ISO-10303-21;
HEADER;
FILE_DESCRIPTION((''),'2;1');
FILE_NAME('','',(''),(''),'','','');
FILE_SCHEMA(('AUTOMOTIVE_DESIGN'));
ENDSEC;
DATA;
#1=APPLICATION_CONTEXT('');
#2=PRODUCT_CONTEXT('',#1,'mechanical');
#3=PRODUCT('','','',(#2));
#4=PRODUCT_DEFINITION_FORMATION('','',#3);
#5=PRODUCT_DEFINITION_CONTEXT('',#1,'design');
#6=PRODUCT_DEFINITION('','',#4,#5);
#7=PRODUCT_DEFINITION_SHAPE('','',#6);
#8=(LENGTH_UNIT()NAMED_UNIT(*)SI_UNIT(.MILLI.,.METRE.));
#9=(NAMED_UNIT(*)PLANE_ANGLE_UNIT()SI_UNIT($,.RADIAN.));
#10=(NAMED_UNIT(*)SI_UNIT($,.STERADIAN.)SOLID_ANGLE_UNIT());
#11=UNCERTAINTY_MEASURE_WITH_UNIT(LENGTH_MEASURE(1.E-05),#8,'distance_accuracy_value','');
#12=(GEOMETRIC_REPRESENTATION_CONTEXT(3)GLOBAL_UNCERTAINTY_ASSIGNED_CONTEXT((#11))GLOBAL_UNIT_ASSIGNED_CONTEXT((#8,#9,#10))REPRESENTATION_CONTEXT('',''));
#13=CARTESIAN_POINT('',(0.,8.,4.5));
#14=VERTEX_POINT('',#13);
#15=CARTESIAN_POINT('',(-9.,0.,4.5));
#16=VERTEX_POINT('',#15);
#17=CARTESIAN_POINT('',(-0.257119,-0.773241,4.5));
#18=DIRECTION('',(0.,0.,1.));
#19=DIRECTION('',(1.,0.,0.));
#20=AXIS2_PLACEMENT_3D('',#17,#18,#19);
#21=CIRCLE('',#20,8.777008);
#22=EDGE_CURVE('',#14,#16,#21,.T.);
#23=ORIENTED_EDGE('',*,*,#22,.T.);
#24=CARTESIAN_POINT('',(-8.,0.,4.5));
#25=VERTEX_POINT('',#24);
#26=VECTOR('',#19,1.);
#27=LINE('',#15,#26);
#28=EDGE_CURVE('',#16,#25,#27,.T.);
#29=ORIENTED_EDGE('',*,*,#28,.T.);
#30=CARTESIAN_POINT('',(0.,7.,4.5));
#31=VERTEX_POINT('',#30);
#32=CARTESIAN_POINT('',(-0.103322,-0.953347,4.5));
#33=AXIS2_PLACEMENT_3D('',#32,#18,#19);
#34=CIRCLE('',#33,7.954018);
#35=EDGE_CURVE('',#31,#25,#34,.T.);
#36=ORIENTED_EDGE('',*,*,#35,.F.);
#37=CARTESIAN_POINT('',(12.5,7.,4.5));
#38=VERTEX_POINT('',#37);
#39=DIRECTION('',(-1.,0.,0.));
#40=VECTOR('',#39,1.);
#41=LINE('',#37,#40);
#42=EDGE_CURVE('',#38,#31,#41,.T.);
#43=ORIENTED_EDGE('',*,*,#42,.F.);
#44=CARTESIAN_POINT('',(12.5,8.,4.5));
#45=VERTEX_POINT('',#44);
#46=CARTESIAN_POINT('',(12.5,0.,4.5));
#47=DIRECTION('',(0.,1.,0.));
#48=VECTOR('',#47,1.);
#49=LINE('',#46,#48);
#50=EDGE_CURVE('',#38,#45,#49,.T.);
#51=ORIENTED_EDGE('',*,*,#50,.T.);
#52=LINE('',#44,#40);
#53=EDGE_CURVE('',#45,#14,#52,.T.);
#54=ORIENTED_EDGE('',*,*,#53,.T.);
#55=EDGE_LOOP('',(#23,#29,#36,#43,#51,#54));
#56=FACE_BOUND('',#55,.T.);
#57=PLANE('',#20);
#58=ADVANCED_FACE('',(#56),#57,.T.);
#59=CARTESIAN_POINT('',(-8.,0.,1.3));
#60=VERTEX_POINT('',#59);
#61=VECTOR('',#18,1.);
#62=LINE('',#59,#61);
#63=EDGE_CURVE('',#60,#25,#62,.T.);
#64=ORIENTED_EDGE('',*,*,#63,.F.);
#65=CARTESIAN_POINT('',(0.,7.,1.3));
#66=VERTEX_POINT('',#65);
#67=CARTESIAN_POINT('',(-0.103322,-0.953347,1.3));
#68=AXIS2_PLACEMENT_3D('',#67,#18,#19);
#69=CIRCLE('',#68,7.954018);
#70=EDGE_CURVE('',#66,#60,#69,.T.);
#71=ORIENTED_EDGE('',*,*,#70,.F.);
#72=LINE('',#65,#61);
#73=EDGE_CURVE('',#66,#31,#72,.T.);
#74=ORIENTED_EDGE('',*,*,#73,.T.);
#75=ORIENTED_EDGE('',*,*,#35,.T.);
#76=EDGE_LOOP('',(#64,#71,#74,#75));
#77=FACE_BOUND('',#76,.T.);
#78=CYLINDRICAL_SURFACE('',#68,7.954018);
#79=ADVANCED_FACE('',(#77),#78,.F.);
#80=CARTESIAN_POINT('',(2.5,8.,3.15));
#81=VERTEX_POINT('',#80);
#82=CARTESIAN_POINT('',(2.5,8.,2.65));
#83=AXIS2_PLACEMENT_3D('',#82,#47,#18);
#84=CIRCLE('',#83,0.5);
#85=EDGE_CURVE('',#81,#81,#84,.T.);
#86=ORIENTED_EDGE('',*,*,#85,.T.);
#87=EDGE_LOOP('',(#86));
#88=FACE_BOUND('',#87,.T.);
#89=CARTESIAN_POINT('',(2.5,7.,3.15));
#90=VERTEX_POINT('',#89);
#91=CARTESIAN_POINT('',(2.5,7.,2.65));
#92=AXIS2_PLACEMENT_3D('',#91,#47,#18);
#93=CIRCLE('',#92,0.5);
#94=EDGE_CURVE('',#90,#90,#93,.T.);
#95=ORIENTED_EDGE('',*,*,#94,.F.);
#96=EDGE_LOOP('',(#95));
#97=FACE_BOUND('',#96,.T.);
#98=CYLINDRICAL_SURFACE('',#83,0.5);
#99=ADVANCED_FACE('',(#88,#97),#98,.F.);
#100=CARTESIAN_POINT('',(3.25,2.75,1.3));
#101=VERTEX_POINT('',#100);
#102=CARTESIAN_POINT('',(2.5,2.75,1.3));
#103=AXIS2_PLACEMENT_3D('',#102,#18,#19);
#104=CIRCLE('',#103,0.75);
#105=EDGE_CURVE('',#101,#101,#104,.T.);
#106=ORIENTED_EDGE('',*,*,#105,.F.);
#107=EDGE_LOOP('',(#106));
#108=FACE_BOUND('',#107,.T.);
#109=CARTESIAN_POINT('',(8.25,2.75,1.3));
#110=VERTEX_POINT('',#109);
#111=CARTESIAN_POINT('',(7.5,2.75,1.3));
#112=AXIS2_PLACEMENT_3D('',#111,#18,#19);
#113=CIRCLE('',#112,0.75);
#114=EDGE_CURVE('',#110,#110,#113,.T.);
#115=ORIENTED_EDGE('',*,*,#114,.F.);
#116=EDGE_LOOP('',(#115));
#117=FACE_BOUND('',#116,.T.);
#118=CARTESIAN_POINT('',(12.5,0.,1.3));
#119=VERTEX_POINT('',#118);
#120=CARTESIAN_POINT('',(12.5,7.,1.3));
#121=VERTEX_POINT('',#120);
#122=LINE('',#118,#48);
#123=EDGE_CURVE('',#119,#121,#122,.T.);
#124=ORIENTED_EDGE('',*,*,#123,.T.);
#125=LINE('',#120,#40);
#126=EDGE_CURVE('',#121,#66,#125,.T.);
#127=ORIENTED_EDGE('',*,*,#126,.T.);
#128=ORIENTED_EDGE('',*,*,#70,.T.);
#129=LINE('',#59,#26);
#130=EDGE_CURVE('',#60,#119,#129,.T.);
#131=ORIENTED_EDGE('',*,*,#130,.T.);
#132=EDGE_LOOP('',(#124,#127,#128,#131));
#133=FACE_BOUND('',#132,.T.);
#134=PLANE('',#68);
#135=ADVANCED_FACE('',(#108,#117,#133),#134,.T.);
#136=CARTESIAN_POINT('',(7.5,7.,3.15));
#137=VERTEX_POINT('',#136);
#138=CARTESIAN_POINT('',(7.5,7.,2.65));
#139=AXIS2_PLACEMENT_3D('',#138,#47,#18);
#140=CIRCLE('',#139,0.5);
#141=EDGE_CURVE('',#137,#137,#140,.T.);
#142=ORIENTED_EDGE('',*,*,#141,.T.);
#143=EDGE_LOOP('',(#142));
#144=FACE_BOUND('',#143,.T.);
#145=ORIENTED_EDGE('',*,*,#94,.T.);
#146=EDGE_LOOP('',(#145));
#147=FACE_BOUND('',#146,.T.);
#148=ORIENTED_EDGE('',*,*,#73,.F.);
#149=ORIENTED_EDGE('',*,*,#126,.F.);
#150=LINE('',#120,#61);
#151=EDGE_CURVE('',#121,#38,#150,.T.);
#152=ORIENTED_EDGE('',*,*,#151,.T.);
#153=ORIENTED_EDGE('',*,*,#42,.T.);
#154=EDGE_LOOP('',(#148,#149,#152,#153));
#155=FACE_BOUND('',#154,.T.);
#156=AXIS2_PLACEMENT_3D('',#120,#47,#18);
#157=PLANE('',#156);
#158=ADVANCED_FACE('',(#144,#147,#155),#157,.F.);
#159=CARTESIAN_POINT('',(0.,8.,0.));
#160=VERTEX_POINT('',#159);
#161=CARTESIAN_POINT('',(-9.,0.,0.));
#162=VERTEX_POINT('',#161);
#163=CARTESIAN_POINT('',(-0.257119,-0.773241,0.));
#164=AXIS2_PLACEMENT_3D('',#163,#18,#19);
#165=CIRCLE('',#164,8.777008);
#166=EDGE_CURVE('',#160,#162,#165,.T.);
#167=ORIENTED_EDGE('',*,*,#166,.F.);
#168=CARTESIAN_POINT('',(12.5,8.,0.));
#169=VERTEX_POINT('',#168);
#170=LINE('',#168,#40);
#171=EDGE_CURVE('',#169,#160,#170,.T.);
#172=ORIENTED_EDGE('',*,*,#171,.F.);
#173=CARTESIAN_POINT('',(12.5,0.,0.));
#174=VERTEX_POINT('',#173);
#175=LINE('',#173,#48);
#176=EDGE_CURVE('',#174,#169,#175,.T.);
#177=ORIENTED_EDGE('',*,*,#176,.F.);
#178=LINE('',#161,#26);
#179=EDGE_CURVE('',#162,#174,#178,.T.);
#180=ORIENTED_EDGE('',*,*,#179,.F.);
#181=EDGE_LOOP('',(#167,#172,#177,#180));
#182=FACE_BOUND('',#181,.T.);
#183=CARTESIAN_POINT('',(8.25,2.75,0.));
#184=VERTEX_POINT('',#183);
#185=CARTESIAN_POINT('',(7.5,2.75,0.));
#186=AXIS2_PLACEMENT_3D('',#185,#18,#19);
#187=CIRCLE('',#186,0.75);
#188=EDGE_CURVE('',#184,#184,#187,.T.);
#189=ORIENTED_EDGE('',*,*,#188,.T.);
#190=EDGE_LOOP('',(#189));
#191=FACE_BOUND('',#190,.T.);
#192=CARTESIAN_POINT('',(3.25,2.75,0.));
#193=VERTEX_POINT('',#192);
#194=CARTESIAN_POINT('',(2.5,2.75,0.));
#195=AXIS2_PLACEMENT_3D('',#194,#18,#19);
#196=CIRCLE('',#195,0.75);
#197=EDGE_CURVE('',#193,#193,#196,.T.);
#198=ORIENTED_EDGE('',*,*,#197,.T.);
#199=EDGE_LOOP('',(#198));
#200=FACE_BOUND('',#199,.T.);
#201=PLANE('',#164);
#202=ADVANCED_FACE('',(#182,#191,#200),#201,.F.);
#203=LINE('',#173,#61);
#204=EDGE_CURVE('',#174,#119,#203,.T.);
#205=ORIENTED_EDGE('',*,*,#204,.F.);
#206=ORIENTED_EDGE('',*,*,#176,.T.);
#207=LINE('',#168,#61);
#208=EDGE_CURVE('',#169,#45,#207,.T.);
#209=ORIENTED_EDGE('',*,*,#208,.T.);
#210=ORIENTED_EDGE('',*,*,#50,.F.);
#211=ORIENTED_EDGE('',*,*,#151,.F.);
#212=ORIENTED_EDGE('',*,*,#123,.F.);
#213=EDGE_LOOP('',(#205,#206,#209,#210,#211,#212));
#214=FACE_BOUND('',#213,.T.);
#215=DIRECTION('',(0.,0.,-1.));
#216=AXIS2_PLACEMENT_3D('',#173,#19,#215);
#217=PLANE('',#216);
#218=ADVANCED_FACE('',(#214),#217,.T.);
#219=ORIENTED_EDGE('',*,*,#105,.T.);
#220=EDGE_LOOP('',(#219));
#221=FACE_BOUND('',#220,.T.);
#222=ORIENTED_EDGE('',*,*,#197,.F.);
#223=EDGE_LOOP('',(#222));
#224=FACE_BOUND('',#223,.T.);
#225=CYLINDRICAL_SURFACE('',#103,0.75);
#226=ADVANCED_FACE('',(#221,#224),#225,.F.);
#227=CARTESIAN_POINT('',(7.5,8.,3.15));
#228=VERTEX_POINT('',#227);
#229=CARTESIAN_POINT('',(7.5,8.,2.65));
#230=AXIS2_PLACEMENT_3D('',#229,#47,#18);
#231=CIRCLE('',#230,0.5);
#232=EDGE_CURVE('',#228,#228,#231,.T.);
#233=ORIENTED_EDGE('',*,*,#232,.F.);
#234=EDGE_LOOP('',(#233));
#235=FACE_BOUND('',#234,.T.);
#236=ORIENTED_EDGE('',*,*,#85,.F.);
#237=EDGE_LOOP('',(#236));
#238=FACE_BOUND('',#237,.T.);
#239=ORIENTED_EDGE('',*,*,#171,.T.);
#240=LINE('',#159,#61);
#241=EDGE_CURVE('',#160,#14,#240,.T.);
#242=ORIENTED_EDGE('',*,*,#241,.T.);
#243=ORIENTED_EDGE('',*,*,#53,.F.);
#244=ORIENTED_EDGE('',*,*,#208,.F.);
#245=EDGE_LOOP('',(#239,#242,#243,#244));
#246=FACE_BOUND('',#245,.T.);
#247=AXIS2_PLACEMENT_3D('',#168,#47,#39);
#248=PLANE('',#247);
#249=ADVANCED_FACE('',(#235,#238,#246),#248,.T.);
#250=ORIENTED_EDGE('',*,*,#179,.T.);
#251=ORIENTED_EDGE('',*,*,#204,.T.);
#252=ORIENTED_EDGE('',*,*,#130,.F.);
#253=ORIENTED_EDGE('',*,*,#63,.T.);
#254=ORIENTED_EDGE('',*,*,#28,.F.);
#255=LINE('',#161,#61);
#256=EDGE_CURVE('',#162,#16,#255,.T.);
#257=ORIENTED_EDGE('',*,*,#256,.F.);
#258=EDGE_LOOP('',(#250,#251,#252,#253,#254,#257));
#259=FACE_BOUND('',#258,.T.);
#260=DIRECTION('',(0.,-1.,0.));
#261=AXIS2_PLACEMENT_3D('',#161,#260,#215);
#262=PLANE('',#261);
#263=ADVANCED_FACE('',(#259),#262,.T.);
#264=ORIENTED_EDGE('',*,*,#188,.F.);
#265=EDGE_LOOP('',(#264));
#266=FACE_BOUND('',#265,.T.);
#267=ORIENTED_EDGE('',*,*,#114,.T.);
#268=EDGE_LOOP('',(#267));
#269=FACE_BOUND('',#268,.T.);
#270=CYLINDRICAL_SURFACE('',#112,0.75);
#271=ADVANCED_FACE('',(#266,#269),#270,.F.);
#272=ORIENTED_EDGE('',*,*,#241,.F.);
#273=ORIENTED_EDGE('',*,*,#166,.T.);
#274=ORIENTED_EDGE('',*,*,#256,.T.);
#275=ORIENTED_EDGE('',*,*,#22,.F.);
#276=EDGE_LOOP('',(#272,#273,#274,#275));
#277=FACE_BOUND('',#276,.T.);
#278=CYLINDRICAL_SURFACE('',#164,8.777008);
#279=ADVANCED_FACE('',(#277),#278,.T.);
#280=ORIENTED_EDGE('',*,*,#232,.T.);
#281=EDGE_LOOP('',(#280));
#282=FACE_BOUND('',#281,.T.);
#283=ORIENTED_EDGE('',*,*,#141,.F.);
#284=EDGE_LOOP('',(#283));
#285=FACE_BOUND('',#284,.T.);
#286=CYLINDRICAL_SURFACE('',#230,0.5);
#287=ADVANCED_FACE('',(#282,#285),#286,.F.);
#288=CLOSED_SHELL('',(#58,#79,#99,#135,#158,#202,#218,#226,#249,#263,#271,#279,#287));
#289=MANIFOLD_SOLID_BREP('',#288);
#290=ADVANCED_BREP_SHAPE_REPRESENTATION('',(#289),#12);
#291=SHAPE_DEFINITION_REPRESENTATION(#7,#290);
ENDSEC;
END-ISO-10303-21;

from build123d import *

# Parameters (mm, degrees)
SALIENTE_EXTRUIR1_DEPTH           = 4.5
CORTAR_EXTRUIR1_DEPTH             = 3.2
DI_METRO_DE_TALADRO_1_0_1_1_D     = 1
DI_METRO_DE_TALADRO_1_0_1_1_DEPTH = 8
DI_METRO_DE_TALADRO_1_5_1_5_1_D   = 1.5


with BuildPart() as part:
    # Croquis1 → Saliente-Extruir1 (new body)
    with BuildSketch(Plane.XY.offset(4.5)):
        with BuildLine():
            Line((-9, 0), (12.5, 0))
            Line((12.5, 0), (12.5, 8))
            Line((12.5, 8), (0, 8))
            ThreePointArc((0, 8), (-6.088245682, 5.786776392), (-9, 0))
        make_face()
    extrude(amount=-SALIENTE_EXTRUIR1_DEPTH)

    # Croquis2 → Cortar-Extruir1 (cut)
    with BuildSketch(Plane.XY.offset(4.5)):
        with BuildLine():
            Line((12.5, 7), (0, 7))
            ThreePointArc((0, 7), (-5.341079038, 5.032661758), (-8, 0))
            Line((-8, 0), (12.5, 0))
            Line((12.5, 0), (12.5, 7))
        make_face()
    extrude(amount=-CORTAR_EXTRUIR1_DEPTH, mode=Mode.SUBTRACT)

    # Diámetro de taladro Ø1.0 (1)1
    with Locations(Plane(origin=(0, 8, 0), x_dir=(1, 0, 0), z_dir=(0, 1, 0))):
        with Locations((2.5, -2.65), (7.5, -2.65)):
            Hole(DI_METRO_DE_TALADRO_1_0_1_1_D / 2, depth=DI_METRO_DE_TALADRO_1_0_1_1_DEPTH)

    # Diámetro de taladro Ø1.5 (1.5)1 (through all)
    with Locations(Plane.XY.offset(1.3)):
        with Locations((7.5, 2.75), (2.5, 2.75)):
            Hole(DI_METRO_DE_TALADRO_1_5_1_5_1_D / 2)


solid = part.part
